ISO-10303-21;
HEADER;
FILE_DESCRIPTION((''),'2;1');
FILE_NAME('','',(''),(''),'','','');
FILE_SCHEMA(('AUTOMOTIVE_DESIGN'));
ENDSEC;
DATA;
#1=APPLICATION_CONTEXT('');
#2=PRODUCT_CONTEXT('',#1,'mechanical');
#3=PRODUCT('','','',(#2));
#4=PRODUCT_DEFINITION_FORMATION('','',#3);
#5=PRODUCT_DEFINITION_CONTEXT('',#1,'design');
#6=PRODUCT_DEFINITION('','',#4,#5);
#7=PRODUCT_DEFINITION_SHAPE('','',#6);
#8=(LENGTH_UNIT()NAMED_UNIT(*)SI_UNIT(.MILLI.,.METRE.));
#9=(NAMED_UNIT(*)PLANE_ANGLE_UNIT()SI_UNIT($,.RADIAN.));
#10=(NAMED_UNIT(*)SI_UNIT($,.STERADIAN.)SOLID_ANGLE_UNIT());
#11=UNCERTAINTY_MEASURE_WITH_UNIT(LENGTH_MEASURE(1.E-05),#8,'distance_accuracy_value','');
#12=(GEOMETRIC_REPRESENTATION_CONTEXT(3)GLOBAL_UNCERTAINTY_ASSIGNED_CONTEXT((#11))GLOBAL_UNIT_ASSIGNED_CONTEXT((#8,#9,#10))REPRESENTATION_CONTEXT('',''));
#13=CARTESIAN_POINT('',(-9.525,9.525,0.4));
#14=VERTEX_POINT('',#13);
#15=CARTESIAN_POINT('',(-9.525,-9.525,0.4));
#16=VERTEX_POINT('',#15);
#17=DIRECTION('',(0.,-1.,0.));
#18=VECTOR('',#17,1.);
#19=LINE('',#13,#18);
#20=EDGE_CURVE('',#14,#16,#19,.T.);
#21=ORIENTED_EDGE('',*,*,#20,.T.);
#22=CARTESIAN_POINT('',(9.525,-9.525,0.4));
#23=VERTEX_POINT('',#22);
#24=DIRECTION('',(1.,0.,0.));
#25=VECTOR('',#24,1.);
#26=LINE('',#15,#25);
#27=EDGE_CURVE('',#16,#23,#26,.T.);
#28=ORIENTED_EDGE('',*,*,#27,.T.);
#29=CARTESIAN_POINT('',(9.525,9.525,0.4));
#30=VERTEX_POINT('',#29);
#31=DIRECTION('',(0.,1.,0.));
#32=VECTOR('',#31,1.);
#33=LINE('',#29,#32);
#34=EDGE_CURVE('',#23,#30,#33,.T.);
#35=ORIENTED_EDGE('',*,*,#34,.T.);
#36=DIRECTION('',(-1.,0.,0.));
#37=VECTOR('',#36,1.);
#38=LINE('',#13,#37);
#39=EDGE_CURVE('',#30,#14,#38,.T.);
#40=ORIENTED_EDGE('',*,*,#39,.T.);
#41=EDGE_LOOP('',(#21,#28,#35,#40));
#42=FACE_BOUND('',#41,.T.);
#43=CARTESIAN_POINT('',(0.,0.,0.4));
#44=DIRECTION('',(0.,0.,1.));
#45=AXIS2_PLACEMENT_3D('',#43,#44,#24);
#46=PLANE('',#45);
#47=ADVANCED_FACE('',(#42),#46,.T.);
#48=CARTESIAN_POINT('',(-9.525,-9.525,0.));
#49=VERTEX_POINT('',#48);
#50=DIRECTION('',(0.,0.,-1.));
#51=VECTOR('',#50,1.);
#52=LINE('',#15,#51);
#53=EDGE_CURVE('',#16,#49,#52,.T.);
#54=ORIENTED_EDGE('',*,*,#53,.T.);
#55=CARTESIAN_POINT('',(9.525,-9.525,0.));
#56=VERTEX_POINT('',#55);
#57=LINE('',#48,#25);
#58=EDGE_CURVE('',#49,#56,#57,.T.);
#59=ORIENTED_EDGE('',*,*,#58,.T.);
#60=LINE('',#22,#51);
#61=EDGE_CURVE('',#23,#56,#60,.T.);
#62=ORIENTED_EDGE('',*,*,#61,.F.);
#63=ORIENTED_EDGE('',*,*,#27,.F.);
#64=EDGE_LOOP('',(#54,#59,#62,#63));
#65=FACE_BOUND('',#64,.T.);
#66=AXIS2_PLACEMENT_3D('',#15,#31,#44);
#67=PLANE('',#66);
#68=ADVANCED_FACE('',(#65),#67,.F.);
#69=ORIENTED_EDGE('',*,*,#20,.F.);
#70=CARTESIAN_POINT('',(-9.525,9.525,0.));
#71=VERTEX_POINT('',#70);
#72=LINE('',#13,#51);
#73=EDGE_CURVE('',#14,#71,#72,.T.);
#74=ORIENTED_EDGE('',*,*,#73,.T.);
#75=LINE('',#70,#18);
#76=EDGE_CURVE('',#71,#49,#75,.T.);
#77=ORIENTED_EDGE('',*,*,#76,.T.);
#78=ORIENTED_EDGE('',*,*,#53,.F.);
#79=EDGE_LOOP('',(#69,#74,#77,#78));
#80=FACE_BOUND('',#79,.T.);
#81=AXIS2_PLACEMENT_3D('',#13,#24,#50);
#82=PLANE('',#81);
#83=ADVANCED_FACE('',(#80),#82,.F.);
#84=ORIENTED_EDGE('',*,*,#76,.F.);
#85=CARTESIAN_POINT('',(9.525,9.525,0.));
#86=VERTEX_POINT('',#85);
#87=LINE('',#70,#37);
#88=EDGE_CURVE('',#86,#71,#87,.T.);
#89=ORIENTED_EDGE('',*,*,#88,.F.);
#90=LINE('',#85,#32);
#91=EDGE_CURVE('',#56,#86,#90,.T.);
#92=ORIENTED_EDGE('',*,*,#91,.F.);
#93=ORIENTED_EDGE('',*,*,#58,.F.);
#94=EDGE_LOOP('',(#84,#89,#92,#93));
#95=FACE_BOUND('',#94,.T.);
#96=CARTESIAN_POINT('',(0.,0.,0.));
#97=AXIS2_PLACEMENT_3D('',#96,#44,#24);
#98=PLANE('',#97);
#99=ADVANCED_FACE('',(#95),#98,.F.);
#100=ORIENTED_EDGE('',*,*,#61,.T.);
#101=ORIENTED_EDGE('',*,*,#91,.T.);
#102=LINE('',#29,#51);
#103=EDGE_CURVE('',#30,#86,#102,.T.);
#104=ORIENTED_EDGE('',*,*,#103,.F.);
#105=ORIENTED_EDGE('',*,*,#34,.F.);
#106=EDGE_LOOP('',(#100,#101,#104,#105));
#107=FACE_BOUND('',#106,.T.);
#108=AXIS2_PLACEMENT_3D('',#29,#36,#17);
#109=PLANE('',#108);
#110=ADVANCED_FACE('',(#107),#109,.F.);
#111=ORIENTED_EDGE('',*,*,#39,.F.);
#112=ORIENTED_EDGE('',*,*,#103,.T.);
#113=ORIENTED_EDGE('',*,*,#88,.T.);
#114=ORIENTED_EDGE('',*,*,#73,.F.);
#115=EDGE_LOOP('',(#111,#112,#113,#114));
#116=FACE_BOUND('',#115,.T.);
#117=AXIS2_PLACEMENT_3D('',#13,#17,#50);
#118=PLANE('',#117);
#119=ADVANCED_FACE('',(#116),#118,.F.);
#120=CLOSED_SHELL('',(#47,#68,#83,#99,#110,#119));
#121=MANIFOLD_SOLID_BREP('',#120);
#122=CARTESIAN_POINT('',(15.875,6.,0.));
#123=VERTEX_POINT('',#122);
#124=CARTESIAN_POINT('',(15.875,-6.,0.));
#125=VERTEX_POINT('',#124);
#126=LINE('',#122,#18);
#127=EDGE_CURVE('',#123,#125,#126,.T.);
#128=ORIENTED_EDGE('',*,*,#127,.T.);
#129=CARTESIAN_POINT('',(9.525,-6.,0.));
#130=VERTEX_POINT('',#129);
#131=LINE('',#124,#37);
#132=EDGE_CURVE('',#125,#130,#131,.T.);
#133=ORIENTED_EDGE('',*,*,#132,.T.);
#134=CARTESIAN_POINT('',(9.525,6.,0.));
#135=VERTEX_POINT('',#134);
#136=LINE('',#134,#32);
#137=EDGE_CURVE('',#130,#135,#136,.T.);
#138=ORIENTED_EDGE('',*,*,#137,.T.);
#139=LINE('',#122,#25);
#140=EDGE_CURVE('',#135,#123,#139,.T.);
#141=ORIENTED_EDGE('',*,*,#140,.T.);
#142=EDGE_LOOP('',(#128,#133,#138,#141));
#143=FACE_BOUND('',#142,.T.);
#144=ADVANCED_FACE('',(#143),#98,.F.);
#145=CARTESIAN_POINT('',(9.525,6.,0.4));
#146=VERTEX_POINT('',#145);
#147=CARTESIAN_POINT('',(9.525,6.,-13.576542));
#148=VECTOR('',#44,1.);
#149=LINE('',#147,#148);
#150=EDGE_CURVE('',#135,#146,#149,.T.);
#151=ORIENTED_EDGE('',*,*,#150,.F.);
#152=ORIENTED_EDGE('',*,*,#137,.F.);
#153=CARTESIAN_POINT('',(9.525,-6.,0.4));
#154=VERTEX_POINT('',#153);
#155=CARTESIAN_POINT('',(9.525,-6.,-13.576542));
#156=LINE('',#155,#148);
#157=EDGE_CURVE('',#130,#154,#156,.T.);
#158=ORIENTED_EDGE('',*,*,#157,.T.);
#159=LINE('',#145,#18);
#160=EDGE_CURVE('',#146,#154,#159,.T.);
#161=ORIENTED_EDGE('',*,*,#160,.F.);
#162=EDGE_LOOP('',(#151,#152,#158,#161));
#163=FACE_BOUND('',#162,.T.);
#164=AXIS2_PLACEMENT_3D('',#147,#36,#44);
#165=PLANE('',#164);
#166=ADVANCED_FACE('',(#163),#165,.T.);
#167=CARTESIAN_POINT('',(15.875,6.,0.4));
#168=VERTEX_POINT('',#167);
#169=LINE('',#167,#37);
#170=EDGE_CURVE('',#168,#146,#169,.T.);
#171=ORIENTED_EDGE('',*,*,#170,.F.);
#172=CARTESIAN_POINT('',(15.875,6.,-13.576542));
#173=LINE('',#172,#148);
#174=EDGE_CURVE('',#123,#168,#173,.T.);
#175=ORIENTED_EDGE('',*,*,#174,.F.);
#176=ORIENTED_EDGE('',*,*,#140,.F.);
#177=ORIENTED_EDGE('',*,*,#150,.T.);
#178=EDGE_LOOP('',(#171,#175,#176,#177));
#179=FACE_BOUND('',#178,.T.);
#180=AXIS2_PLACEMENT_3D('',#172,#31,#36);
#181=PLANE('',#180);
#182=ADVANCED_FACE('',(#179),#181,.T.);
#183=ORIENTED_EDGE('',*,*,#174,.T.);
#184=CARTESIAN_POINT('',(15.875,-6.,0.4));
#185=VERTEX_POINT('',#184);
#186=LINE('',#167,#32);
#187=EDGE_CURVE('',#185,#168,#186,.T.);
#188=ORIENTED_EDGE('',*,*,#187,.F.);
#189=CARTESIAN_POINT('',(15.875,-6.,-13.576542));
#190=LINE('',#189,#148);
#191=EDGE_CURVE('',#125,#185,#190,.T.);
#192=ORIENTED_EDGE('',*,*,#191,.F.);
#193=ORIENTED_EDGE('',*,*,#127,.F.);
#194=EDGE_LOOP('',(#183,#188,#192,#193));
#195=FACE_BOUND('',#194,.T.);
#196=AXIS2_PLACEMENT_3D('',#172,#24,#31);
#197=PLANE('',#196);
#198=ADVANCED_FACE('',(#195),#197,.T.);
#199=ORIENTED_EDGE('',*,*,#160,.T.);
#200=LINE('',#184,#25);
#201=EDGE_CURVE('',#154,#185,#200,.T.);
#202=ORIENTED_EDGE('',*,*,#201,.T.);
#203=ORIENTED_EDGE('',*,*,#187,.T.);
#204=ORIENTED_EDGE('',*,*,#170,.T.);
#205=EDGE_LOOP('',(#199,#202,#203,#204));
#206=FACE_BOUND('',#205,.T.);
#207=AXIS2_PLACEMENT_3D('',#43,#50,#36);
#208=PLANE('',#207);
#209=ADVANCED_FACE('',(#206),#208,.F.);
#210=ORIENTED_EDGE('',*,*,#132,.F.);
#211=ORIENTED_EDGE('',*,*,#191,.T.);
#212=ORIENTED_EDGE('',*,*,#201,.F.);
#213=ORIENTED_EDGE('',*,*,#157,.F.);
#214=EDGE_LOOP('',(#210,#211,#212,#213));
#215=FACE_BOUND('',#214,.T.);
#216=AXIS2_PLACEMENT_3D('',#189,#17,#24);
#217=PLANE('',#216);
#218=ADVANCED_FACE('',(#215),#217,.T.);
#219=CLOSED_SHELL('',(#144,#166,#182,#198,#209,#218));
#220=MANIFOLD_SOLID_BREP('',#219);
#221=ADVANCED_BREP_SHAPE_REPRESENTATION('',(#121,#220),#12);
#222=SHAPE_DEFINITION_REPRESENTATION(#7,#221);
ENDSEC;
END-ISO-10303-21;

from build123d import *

# Parameters (mm, degrees)
SKETCH1_W           = 19.05
SKETCH1_H           = 19.05
BOSS_EXTRUDE1_DEPTH = 0.4
SKETCH2_W           = 6.35
SKETCH2_H           = 12
BOSS_EXTRUDE2_DEPTH = 0.4


with BuildPart() as part:
    # Sketch1 → Boss-Extrude1 (new body)
    with BuildSketch(Plane.XY):
        Rectangle(SKETCH1_W, SKETCH1_H)
    extrude(amount=BOSS_EXTRUDE1_DEPTH)


with BuildPart() as body_2:
    # Sketch2 → Boss-Extrude2 (new body)
    with BuildSketch(Plane.XY.offset(0.4)):
        with Locations((12.7, 0)):
            Rectangle(SKETCH2_W, SKETCH2_H)
    extrude(amount=-BOSS_EXTRUDE2_DEPTH)


solid = Compound([part.part, body_2.part])
